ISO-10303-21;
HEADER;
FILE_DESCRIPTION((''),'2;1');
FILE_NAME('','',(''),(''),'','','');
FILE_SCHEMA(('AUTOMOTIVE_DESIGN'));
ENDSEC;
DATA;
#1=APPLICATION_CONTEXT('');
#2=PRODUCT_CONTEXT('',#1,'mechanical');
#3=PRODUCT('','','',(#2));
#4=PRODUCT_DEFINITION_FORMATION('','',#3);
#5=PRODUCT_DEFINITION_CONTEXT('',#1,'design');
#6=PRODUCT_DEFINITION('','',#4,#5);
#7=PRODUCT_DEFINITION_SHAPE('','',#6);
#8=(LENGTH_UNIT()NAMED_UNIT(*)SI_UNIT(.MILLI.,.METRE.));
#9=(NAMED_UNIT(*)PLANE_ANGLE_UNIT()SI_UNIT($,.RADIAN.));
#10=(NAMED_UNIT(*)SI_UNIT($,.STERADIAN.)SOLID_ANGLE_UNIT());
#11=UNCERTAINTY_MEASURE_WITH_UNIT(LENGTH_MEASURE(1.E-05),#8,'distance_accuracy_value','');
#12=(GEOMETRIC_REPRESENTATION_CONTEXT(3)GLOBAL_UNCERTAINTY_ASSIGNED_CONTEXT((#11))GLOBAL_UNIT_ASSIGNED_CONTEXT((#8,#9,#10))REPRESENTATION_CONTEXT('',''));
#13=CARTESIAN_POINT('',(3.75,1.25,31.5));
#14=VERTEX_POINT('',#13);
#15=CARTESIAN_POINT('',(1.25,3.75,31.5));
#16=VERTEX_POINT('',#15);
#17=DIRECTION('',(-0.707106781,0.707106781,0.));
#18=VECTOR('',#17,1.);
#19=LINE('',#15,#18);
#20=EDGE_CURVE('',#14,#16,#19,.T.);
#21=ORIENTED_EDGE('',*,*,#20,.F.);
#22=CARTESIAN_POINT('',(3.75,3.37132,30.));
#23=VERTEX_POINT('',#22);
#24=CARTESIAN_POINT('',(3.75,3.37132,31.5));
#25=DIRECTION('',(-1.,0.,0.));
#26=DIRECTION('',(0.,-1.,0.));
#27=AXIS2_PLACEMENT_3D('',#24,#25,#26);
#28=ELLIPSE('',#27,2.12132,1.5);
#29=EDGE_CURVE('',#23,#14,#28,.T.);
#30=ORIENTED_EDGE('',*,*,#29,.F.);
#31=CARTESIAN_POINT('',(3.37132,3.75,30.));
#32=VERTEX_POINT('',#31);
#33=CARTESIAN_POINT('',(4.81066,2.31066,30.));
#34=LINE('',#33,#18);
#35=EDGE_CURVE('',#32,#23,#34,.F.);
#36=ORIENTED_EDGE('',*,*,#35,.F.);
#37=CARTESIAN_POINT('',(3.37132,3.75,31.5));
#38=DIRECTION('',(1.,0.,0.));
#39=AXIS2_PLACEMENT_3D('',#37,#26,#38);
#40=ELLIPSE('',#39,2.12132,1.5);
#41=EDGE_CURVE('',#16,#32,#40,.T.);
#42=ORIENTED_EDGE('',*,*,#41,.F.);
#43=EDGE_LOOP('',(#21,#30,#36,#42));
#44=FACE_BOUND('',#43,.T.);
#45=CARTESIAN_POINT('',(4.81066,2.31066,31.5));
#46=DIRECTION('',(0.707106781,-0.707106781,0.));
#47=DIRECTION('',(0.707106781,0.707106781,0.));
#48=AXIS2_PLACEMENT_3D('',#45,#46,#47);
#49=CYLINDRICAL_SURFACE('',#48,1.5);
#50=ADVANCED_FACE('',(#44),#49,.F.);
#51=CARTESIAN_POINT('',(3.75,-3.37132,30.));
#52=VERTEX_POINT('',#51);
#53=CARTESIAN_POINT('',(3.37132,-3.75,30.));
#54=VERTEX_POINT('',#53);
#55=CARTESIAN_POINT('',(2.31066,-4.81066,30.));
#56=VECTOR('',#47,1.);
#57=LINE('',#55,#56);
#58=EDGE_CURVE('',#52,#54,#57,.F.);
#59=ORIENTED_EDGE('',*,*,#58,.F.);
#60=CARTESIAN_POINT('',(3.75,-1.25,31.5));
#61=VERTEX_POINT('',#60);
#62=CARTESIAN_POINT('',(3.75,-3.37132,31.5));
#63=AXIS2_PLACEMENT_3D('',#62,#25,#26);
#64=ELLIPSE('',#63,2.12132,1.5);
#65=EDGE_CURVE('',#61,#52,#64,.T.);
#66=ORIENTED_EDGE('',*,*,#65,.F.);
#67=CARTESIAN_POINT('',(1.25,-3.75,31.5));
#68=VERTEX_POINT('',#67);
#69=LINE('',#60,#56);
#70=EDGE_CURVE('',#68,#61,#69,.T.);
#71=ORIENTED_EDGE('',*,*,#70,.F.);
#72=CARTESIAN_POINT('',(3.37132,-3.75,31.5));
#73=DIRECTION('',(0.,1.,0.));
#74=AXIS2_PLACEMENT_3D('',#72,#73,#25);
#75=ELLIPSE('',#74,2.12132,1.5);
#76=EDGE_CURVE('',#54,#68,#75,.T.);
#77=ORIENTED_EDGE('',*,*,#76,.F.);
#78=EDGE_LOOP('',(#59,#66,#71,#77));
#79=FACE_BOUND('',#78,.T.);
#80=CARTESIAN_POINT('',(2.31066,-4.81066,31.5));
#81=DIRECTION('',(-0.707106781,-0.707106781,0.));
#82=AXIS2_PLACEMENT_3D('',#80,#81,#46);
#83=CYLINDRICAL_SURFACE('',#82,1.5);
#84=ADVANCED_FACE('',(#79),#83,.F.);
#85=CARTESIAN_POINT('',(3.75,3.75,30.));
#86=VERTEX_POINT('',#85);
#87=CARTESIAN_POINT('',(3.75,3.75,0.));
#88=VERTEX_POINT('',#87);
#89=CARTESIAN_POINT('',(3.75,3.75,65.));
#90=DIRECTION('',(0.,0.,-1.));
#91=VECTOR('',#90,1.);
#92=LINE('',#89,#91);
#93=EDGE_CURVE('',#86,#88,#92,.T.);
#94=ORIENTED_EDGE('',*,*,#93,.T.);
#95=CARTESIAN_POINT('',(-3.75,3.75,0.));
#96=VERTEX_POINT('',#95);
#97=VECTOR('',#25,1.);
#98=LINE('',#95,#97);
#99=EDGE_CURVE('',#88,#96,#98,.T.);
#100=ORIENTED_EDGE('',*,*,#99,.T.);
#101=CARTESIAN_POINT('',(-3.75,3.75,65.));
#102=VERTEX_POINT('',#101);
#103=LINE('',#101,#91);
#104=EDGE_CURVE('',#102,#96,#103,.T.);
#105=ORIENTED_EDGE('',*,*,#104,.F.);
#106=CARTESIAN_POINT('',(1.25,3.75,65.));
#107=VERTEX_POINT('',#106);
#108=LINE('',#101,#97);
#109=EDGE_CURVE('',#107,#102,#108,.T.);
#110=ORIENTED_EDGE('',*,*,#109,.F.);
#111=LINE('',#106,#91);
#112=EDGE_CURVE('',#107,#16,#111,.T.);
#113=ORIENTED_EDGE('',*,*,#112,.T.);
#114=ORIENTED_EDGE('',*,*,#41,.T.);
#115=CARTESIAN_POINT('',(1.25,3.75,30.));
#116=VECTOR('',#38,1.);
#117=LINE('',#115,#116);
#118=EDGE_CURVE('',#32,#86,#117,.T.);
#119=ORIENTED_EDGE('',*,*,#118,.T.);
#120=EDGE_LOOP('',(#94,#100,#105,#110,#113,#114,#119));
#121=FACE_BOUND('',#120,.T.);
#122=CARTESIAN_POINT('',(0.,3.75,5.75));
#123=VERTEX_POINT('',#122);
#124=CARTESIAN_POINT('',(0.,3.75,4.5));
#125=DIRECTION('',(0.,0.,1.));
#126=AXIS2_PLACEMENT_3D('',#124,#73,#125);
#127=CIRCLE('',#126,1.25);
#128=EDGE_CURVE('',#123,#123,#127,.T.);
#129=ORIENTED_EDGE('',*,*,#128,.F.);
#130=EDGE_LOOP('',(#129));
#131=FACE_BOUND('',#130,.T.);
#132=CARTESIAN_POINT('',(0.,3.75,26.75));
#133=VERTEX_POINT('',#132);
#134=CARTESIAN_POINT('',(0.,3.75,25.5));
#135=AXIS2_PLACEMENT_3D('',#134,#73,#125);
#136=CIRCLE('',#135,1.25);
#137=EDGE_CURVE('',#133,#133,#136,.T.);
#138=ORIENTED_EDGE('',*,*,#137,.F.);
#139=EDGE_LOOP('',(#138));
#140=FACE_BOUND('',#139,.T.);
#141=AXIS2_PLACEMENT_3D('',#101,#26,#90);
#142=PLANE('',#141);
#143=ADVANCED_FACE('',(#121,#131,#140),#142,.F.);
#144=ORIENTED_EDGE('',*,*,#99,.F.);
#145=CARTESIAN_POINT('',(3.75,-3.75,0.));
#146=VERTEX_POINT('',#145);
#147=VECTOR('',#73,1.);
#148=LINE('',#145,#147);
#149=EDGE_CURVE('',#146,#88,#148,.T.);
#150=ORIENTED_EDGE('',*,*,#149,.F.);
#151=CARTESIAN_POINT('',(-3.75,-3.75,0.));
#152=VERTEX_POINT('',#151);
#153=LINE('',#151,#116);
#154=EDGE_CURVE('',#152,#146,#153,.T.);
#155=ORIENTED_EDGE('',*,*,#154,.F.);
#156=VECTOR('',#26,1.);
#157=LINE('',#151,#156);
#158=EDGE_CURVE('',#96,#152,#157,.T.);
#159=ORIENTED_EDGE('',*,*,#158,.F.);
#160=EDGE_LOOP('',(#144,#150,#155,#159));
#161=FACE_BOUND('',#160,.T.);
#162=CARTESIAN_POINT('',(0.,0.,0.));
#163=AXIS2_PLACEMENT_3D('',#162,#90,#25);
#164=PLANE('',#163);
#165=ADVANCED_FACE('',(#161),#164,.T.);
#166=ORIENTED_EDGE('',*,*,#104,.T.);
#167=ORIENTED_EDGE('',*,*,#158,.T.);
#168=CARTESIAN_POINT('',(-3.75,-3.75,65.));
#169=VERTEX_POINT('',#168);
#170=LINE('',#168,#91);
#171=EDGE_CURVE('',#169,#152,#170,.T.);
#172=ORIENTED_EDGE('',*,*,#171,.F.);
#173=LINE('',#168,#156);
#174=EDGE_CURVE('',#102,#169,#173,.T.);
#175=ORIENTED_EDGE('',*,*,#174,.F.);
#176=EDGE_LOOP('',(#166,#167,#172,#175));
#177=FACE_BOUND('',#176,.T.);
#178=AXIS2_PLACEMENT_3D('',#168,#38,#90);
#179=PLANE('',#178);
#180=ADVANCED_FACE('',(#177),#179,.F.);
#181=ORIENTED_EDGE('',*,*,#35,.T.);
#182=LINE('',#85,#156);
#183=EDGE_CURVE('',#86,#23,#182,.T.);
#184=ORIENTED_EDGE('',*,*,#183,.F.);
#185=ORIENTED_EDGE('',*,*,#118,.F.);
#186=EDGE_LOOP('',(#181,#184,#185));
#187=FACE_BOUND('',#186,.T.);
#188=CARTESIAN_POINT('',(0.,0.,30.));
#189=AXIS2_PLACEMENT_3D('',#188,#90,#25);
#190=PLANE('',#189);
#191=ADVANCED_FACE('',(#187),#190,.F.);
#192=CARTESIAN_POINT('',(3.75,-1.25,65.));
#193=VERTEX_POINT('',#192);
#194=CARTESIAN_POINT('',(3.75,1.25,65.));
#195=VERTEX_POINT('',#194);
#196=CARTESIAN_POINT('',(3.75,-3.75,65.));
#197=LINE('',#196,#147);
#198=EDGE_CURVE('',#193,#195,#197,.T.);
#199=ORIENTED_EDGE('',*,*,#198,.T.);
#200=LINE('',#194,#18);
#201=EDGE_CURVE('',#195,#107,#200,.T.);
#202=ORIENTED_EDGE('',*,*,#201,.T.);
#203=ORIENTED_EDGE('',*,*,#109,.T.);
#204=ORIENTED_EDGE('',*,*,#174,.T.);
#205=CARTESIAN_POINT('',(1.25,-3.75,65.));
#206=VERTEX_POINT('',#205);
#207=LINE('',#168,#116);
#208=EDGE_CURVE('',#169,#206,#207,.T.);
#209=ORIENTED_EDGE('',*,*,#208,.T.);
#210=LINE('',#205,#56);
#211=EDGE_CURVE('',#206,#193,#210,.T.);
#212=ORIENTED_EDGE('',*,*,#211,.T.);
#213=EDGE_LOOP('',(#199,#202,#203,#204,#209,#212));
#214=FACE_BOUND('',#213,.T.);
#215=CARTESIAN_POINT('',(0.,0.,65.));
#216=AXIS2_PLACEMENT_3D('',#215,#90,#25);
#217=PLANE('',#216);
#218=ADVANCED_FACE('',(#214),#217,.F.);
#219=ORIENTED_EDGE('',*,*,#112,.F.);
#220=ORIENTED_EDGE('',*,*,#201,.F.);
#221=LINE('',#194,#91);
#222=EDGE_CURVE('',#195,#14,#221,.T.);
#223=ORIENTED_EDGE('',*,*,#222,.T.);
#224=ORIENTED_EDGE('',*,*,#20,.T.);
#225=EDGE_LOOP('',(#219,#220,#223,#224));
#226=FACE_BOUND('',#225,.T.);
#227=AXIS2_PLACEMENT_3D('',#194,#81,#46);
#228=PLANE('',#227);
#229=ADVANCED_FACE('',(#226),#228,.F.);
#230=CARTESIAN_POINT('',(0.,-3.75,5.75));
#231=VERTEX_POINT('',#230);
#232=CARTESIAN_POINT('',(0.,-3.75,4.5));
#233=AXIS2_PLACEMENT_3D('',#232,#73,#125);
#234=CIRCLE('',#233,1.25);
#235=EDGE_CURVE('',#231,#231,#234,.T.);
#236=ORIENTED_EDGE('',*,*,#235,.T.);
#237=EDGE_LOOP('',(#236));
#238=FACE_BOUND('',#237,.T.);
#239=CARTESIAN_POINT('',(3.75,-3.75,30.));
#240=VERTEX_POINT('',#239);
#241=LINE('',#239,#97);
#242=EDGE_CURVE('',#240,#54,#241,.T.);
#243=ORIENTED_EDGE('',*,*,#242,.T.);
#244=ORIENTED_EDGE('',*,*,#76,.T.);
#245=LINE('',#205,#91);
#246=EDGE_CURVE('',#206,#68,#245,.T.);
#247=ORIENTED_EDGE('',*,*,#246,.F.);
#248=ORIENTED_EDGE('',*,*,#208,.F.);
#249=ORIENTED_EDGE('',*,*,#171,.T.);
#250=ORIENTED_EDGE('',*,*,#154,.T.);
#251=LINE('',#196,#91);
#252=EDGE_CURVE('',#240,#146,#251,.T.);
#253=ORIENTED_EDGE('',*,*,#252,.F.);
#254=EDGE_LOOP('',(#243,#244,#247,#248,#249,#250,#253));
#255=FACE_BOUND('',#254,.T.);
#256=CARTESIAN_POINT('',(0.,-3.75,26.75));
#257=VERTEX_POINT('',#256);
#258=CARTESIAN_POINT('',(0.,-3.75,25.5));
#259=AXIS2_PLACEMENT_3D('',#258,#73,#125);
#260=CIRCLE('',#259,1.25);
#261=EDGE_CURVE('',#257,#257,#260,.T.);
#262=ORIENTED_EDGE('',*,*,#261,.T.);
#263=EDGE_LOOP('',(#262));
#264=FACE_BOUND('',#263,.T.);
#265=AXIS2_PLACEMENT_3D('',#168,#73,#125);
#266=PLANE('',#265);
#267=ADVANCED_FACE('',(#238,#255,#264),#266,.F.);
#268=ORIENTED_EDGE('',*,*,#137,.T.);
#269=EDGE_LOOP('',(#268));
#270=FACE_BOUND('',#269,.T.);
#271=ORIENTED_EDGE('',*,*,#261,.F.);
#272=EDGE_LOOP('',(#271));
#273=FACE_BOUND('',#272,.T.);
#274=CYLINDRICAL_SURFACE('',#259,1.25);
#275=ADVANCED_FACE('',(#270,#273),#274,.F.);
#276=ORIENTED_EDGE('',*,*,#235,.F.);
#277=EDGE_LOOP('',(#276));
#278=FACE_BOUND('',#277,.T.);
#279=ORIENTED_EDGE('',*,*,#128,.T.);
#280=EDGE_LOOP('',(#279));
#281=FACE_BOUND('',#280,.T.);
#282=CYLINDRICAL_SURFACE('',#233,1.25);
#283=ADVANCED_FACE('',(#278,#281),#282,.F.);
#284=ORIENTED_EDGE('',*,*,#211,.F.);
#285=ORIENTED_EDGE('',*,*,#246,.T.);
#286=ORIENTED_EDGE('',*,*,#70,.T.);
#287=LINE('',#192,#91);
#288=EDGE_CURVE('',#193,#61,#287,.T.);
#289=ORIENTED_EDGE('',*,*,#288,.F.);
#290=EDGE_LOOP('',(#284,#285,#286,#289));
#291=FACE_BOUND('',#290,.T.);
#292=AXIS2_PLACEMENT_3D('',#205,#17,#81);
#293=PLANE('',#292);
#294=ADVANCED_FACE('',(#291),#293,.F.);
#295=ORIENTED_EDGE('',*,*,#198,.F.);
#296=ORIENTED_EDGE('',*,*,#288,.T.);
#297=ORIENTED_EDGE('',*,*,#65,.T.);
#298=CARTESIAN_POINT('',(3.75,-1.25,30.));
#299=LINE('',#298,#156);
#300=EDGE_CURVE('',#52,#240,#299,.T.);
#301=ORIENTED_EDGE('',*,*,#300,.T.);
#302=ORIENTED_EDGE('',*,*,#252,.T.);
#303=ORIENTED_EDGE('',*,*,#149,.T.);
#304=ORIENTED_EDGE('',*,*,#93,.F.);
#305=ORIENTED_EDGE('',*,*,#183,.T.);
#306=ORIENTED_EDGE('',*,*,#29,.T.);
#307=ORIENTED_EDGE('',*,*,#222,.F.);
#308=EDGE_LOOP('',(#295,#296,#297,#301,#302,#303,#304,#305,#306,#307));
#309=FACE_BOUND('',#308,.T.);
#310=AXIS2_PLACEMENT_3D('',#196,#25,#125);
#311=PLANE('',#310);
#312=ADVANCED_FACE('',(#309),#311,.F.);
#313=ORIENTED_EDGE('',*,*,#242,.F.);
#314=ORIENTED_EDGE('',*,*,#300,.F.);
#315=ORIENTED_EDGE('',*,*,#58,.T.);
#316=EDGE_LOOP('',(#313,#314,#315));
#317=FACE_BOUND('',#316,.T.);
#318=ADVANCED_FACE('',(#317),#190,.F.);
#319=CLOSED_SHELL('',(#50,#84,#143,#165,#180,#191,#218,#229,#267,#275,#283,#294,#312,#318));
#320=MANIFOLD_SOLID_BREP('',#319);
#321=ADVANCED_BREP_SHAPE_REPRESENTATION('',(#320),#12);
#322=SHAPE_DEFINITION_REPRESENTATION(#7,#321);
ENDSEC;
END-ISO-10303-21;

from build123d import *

# Parameters (mm, degrees)
ESQUISSE1_W             = 7.5
ESQUISSE1_H             = 7.5
BOSS_EXTRU_1_DEPTH      = 65
ESQUISSE2_R             = 1.25
ENL_V_MAT_EXTRU_1_DEPTH = 66.538633645
ENL_V_START             = -30
ENL_V_MAT_EXTRU_2_DEPTH = 36.215987304
CONG_1_R                = 1.5


with BuildPart() as part:
    # Esquisse1 → Boss.-Extru.1 (new body)
    with BuildSketch(Plane.XY):
        Rectangle(ESQUISSE1_W, ESQUISSE1_H)
    extrude(amount=BOSS_EXTRU_1_DEPTH)

    # Esquisse2 → Enlèv. mat.-Extru.1 (cut, through all)
    with BuildSketch(Plane(origin=(0, 3.75, 0), x_dir=(1, 0, 0), z_dir=(0, 1, 0))):
        with Locations(Location((0, -4.5, 0), (0, 0, 270))):
            Circle(ESQUISSE2_R)
        with Locations(Location((0, -25.5, 0), (0, 0, 270))):
            Circle(ESQUISSE2_R)
    extrude(amount=-ENL_V_MAT_EXTRU_1_DEPTH, mode=Mode.SUBTRACT)

    # Esquisse3 → Enlèv. mat.-Extru.2 (cut, through all)
    with BuildSketch(Plane(origin=(0, 0, 0), x_dir=(-1, 0, 0), z_dir=(0, 0, -1)).offset(ENL_V_START)):
        Polygon((-1.25, 3.75), (-3.75, 3.75), (-3.75, 1.25), align=None)
        Polygon((-3.75, -1.25), (-3.75, -3.75), (-1.25, -3.75), align=None)
    extrude(amount=-ENL_V_MAT_EXTRU_2_DEPTH, mode=Mode.SUBTRACT)

    # Congé1
    cong_1_edges = [part.edges().sort_by_distance(p)[0] for p in [
        (2.5, 2.5, 30),
        (2.5, -2.5, 30),
    ]]
    fillet(cong_1_edges, radius=CONG_1_R)


solid = part.part
